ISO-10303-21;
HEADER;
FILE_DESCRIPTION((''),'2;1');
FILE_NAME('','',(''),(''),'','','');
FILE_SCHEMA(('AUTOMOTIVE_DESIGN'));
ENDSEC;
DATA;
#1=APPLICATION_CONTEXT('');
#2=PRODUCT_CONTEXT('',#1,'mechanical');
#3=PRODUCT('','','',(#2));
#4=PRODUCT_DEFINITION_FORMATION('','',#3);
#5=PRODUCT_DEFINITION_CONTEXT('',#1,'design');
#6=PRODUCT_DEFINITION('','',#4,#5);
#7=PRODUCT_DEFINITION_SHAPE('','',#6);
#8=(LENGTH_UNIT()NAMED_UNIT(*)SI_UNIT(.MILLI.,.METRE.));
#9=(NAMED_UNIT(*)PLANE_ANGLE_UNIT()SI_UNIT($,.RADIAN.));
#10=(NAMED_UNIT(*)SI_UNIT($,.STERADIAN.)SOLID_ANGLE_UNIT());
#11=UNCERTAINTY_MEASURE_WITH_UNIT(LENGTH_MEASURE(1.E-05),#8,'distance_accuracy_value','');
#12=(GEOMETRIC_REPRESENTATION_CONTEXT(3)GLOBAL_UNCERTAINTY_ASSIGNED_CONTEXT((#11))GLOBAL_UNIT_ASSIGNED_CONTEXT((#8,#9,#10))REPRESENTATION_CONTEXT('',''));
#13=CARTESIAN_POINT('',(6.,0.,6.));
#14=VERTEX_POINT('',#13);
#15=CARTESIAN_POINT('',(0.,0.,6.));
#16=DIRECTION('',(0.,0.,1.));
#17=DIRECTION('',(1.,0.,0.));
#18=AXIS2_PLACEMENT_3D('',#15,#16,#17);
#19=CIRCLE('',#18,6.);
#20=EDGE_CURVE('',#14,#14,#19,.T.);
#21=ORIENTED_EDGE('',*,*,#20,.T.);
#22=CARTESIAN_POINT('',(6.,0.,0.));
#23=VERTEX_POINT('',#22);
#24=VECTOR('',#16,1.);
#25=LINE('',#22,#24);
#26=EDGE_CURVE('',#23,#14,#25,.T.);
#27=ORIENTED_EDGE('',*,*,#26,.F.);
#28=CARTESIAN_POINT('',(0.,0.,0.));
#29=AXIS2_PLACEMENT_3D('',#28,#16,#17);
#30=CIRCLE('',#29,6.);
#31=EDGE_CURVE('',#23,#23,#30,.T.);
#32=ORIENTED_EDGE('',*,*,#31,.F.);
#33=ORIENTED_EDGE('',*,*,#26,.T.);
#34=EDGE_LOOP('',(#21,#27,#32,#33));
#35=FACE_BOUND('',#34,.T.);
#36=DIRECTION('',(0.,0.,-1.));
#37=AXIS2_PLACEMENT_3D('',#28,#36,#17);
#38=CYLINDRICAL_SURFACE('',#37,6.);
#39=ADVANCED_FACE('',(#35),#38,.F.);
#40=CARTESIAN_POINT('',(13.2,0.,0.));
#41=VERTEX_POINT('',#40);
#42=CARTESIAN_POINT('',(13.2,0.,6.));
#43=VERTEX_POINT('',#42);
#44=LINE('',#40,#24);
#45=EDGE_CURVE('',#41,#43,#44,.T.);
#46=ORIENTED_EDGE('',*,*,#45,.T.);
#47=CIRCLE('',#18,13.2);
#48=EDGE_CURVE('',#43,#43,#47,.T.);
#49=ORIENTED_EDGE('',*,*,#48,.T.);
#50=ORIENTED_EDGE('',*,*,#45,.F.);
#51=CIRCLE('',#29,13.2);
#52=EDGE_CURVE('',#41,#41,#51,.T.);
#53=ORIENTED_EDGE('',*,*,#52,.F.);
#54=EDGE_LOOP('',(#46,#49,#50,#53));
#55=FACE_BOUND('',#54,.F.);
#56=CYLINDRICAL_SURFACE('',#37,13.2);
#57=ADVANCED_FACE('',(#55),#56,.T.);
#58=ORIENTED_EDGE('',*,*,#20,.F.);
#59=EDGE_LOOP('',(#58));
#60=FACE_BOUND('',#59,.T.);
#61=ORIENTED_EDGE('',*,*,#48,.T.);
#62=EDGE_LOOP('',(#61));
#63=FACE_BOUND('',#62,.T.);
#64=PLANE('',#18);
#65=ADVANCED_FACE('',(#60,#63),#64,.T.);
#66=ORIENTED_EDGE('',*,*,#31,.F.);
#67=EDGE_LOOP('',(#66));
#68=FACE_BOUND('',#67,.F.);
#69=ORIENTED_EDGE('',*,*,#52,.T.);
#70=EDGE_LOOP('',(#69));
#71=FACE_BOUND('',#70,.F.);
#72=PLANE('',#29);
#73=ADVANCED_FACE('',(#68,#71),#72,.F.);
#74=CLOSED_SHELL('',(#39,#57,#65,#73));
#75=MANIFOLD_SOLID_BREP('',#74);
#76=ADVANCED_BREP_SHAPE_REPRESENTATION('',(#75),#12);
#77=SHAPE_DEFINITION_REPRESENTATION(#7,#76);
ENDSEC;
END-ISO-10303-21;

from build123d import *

# Parameters (mm, degrees)
SKETCH1_R           = 13.2
SKETCH1_R_2         = 6
BOSS_EXTRUDE1_DEPTH = 6
SKETCH3_R           = 13.2
SKETCH3_R_2         = 6
BOSS_EXTRUDE2_DEPTH = 6


with BuildPart() as part:
    # Sketch1 → Boss-Extrude1 (new body)
    with BuildSketch(Plane.XY):
        Circle(SKETCH1_R)
        Circle(SKETCH1_R_2, mode=Mode.SUBTRACT)
    extrude(amount=BOSS_EXTRUDE1_DEPTH)

    # Sketch3 → Boss-Extrude2 (add)
    with BuildSketch(Plane.XY):
        Circle(SKETCH3_R)
        Circle(SKETCH3_R_2, mode=Mode.SUBTRACT)
    extrude(amount=BOSS_EXTRUDE2_DEPTH)


solid = part.part
